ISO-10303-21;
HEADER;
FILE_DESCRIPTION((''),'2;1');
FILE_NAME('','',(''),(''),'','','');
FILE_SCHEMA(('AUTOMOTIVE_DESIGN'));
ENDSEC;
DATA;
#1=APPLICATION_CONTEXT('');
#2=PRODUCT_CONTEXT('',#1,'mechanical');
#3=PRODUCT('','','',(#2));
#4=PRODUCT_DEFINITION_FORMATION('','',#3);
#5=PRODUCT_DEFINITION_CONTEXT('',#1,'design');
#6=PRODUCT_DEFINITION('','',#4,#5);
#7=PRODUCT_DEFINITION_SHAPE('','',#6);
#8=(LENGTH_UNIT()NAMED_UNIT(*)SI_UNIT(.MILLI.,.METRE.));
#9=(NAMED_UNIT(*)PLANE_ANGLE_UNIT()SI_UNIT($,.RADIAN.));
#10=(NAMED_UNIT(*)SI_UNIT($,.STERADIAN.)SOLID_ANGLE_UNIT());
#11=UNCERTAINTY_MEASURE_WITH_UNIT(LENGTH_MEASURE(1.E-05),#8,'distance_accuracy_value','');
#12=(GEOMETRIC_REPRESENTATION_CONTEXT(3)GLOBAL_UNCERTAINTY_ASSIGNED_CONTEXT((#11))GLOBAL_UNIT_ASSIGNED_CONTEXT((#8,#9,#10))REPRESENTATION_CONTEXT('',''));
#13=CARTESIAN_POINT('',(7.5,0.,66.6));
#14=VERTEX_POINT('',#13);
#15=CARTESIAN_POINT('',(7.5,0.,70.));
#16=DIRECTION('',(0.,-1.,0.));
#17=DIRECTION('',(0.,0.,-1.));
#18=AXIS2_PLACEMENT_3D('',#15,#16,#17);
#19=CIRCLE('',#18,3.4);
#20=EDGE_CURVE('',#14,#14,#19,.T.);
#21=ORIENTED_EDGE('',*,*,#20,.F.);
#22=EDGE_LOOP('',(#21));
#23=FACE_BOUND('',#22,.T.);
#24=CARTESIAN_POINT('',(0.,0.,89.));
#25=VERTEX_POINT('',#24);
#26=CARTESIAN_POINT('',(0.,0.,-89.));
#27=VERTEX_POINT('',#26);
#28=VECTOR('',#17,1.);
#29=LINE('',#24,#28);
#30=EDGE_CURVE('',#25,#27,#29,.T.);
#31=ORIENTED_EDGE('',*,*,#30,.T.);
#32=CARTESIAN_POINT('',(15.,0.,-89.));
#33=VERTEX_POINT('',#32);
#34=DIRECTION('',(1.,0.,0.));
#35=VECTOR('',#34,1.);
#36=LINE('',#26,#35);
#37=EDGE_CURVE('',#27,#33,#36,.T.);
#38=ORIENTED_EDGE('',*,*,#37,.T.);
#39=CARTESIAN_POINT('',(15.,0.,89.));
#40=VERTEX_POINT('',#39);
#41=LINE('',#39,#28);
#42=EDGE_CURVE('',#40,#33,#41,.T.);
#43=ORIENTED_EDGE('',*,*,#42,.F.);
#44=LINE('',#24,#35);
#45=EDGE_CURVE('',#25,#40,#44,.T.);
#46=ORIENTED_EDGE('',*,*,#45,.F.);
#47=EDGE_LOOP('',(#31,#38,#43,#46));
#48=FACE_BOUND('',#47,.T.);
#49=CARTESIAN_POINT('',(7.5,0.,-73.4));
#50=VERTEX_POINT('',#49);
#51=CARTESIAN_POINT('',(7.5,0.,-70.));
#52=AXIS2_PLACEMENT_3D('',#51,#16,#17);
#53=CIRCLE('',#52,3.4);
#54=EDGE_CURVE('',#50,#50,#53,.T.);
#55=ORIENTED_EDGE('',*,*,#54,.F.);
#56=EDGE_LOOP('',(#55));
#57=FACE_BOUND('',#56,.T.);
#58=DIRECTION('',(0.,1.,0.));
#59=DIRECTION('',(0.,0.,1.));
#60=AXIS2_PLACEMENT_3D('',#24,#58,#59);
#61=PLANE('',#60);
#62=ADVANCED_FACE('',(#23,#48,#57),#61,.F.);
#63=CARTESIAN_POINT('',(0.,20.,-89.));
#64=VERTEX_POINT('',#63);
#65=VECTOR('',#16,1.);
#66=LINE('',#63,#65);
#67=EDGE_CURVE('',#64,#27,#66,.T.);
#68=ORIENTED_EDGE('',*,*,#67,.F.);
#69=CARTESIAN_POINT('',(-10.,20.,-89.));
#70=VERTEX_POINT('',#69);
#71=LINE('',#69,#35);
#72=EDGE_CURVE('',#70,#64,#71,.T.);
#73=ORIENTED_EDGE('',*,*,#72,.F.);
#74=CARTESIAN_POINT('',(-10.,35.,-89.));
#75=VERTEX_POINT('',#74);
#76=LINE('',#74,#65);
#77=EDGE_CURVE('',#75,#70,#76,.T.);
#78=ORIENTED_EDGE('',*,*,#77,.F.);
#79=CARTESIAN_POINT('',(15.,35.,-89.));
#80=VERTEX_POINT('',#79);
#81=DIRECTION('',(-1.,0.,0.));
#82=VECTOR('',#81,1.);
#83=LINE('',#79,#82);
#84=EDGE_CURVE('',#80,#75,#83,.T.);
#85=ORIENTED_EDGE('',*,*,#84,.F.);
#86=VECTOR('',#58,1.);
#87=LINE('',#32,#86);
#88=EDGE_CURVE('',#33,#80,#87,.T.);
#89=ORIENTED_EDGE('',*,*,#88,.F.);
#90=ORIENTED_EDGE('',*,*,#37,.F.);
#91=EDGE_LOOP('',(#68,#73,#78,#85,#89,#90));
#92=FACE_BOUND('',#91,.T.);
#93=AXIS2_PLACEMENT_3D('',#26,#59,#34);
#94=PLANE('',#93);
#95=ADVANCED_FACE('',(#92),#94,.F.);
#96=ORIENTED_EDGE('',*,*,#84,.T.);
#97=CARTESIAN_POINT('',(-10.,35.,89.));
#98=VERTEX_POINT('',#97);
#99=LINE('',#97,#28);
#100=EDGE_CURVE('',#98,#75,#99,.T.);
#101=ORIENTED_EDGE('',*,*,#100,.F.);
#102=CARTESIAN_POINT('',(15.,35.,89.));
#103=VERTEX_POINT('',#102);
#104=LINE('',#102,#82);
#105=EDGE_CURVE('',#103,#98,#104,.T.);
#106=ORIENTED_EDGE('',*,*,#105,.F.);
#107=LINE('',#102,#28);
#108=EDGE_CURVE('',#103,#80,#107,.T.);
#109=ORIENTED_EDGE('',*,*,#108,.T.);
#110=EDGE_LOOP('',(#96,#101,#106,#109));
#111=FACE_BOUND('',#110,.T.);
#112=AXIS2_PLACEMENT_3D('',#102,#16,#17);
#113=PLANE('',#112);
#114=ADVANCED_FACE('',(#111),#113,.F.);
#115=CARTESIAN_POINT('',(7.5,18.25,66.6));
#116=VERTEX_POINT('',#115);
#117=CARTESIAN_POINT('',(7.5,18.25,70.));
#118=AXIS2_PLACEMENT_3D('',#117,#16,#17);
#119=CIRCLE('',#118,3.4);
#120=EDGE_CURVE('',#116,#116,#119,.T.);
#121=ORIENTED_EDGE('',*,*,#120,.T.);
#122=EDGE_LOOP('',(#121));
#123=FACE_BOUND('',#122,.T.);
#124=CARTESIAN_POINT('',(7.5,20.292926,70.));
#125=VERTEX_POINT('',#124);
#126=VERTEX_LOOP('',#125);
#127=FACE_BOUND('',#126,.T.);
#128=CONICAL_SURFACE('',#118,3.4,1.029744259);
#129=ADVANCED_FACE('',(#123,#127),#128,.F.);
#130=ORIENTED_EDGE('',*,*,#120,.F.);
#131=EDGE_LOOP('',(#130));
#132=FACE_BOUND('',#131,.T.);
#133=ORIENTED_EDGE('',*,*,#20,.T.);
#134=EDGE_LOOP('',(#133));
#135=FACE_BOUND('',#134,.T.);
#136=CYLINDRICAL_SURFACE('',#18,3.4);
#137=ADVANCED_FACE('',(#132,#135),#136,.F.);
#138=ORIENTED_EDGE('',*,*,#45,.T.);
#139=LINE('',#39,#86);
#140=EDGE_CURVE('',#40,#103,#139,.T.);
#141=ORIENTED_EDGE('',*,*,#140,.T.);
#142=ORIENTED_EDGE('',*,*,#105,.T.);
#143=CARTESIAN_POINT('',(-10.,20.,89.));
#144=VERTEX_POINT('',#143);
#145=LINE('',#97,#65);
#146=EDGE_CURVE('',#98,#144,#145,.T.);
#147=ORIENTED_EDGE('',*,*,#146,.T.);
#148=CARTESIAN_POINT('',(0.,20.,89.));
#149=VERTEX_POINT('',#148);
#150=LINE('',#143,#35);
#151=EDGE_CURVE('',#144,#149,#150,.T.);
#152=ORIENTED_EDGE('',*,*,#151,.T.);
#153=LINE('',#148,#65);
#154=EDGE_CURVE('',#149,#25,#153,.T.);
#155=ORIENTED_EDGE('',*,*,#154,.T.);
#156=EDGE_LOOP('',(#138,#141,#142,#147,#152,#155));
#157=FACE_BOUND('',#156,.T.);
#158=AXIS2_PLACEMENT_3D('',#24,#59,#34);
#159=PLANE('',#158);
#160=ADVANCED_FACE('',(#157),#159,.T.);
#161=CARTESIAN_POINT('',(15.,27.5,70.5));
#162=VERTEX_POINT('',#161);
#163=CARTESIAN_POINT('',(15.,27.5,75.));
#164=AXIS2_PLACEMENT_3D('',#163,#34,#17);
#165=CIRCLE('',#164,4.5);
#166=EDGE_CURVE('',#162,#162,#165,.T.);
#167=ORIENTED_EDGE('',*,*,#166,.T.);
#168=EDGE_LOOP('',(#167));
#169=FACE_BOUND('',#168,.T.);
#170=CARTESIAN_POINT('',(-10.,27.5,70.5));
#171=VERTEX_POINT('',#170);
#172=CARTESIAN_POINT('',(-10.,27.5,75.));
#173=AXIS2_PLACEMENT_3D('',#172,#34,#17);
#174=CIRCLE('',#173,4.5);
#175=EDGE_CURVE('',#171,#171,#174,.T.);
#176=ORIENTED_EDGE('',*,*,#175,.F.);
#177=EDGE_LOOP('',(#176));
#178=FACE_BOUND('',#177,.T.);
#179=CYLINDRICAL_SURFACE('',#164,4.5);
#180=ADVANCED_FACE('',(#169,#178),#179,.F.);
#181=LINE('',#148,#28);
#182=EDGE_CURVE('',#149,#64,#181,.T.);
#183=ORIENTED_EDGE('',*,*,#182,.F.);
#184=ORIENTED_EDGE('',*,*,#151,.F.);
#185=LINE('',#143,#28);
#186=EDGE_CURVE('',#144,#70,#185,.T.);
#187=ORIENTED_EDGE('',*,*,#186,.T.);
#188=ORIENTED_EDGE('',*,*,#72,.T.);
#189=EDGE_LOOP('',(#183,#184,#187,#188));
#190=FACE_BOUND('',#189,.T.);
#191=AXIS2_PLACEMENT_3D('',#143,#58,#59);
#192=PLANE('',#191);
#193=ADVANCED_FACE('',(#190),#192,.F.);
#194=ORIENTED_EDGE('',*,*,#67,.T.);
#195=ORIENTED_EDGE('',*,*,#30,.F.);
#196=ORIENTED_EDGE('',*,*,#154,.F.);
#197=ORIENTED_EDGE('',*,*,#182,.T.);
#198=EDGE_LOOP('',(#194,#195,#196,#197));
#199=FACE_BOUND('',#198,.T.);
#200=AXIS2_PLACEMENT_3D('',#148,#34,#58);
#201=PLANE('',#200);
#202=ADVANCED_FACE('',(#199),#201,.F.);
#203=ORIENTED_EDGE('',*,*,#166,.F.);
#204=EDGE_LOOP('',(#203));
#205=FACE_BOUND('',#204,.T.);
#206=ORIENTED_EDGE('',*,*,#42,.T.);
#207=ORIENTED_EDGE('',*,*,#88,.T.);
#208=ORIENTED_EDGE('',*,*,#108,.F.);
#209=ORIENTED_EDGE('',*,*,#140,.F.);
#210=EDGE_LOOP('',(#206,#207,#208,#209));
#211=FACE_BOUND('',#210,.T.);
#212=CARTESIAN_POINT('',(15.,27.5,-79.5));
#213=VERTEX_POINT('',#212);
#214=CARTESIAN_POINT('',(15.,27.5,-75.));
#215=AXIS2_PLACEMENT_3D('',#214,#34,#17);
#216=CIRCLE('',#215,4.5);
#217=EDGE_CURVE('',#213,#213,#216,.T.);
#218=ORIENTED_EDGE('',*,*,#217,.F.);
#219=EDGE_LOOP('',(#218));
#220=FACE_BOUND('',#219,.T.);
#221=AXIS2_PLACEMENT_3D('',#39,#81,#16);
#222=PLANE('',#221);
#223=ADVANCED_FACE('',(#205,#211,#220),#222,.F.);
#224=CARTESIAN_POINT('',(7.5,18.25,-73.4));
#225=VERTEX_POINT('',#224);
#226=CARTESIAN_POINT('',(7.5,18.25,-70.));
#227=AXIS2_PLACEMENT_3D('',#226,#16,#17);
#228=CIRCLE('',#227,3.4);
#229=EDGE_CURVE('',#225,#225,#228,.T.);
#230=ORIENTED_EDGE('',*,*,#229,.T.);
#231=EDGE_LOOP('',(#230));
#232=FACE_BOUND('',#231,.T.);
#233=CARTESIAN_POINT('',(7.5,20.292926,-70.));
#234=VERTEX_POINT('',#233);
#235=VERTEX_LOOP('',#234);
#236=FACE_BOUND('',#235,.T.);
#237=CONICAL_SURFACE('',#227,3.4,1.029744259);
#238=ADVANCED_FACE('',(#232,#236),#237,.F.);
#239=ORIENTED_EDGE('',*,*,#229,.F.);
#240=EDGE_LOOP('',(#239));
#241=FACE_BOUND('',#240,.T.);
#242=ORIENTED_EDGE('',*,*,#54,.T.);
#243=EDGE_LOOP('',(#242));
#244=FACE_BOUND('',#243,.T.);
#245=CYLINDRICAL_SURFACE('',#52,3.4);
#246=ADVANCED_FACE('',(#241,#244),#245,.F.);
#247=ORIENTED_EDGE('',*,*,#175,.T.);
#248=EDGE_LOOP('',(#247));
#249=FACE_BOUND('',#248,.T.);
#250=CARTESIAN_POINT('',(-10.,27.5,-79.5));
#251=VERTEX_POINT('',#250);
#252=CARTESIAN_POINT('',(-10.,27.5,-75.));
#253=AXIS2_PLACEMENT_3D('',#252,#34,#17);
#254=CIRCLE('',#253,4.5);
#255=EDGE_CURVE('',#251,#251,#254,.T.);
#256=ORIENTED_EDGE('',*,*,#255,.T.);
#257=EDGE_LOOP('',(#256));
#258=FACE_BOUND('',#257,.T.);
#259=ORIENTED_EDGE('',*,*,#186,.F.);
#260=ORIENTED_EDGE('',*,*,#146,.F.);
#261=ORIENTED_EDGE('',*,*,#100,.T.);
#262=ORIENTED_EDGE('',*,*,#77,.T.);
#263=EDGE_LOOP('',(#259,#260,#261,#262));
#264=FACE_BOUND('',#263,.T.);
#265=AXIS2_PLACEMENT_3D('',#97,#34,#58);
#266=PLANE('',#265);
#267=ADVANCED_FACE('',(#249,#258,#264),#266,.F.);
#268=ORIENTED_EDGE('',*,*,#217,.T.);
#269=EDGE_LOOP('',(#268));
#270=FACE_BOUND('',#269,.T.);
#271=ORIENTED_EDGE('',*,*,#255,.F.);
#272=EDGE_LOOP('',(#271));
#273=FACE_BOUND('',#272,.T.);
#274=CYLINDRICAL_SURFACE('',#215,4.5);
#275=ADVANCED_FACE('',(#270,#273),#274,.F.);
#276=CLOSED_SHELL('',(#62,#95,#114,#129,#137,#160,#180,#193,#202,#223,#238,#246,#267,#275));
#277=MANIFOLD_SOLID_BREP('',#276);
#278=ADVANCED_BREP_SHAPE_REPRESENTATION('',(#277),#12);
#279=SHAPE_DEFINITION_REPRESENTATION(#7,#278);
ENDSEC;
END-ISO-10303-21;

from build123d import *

# Parameters (mm, degrees)
AUFSATZ_LINEAR_AUSTRAGEN1_DEPTH = 89
M8_GEWINDEBOHRUNG1_D            = 6.8
M8_GEWINDEBOHRUNG1_DEPTH        = 18.25
M8_GEWINDEBOHRUNG1_TIP          = 2.042926105
F_9_0_9_DURCHMESSER_BOHRUNG1_D  = 9


with BuildPart() as part:
    # Skizze1 → Aufsatz-Linear austragen1 (new, symmetric)
    with BuildSketch(Plane.XY):
        Polygon((0, 0), (15, 0), (15, 35), (-10, 35), (-10, 20), (0, 20), align=None)
    extrude(amount=AUFSATZ_LINEAR_AUSTRAGEN1_DEPTH, both=True)

    # M8 Gewindebohrung1
    with Locations(Plane(origin=(0, 0, 0), x_dir=(-1, 0, 0), z_dir=(0, -1, 0))):
        with Locations((-7.5, -70), (-7.5, 70)):
            Hole(M8_GEWINDEBOHRUNG1_D / 2, depth=M8_GEWINDEBOHRUNG1_DEPTH)
            with Locations((0, 0, -(M8_GEWINDEBOHRUNG1_DEPTH + M8_GEWINDEBOHRUNG1_TIP / 2))):  # 118° drill point
                Cone(0, M8_GEWINDEBOHRUNG1_D / 2, M8_GEWINDEBOHRUNG1_TIP, mode=Mode.SUBTRACT)

    # Ø9.0 (9) Durchmesser Bohrung1 (through all)
    with Locations(Plane(origin=(15, 0, 0), x_dir=(0, 0, -1), z_dir=(1, 0, 0))):
        with Locations((-75, 27.5), (75, 27.5)):
            Hole(F_9_0_9_DURCHMESSER_BOHRUNG1_D / 2)


solid = part.part
